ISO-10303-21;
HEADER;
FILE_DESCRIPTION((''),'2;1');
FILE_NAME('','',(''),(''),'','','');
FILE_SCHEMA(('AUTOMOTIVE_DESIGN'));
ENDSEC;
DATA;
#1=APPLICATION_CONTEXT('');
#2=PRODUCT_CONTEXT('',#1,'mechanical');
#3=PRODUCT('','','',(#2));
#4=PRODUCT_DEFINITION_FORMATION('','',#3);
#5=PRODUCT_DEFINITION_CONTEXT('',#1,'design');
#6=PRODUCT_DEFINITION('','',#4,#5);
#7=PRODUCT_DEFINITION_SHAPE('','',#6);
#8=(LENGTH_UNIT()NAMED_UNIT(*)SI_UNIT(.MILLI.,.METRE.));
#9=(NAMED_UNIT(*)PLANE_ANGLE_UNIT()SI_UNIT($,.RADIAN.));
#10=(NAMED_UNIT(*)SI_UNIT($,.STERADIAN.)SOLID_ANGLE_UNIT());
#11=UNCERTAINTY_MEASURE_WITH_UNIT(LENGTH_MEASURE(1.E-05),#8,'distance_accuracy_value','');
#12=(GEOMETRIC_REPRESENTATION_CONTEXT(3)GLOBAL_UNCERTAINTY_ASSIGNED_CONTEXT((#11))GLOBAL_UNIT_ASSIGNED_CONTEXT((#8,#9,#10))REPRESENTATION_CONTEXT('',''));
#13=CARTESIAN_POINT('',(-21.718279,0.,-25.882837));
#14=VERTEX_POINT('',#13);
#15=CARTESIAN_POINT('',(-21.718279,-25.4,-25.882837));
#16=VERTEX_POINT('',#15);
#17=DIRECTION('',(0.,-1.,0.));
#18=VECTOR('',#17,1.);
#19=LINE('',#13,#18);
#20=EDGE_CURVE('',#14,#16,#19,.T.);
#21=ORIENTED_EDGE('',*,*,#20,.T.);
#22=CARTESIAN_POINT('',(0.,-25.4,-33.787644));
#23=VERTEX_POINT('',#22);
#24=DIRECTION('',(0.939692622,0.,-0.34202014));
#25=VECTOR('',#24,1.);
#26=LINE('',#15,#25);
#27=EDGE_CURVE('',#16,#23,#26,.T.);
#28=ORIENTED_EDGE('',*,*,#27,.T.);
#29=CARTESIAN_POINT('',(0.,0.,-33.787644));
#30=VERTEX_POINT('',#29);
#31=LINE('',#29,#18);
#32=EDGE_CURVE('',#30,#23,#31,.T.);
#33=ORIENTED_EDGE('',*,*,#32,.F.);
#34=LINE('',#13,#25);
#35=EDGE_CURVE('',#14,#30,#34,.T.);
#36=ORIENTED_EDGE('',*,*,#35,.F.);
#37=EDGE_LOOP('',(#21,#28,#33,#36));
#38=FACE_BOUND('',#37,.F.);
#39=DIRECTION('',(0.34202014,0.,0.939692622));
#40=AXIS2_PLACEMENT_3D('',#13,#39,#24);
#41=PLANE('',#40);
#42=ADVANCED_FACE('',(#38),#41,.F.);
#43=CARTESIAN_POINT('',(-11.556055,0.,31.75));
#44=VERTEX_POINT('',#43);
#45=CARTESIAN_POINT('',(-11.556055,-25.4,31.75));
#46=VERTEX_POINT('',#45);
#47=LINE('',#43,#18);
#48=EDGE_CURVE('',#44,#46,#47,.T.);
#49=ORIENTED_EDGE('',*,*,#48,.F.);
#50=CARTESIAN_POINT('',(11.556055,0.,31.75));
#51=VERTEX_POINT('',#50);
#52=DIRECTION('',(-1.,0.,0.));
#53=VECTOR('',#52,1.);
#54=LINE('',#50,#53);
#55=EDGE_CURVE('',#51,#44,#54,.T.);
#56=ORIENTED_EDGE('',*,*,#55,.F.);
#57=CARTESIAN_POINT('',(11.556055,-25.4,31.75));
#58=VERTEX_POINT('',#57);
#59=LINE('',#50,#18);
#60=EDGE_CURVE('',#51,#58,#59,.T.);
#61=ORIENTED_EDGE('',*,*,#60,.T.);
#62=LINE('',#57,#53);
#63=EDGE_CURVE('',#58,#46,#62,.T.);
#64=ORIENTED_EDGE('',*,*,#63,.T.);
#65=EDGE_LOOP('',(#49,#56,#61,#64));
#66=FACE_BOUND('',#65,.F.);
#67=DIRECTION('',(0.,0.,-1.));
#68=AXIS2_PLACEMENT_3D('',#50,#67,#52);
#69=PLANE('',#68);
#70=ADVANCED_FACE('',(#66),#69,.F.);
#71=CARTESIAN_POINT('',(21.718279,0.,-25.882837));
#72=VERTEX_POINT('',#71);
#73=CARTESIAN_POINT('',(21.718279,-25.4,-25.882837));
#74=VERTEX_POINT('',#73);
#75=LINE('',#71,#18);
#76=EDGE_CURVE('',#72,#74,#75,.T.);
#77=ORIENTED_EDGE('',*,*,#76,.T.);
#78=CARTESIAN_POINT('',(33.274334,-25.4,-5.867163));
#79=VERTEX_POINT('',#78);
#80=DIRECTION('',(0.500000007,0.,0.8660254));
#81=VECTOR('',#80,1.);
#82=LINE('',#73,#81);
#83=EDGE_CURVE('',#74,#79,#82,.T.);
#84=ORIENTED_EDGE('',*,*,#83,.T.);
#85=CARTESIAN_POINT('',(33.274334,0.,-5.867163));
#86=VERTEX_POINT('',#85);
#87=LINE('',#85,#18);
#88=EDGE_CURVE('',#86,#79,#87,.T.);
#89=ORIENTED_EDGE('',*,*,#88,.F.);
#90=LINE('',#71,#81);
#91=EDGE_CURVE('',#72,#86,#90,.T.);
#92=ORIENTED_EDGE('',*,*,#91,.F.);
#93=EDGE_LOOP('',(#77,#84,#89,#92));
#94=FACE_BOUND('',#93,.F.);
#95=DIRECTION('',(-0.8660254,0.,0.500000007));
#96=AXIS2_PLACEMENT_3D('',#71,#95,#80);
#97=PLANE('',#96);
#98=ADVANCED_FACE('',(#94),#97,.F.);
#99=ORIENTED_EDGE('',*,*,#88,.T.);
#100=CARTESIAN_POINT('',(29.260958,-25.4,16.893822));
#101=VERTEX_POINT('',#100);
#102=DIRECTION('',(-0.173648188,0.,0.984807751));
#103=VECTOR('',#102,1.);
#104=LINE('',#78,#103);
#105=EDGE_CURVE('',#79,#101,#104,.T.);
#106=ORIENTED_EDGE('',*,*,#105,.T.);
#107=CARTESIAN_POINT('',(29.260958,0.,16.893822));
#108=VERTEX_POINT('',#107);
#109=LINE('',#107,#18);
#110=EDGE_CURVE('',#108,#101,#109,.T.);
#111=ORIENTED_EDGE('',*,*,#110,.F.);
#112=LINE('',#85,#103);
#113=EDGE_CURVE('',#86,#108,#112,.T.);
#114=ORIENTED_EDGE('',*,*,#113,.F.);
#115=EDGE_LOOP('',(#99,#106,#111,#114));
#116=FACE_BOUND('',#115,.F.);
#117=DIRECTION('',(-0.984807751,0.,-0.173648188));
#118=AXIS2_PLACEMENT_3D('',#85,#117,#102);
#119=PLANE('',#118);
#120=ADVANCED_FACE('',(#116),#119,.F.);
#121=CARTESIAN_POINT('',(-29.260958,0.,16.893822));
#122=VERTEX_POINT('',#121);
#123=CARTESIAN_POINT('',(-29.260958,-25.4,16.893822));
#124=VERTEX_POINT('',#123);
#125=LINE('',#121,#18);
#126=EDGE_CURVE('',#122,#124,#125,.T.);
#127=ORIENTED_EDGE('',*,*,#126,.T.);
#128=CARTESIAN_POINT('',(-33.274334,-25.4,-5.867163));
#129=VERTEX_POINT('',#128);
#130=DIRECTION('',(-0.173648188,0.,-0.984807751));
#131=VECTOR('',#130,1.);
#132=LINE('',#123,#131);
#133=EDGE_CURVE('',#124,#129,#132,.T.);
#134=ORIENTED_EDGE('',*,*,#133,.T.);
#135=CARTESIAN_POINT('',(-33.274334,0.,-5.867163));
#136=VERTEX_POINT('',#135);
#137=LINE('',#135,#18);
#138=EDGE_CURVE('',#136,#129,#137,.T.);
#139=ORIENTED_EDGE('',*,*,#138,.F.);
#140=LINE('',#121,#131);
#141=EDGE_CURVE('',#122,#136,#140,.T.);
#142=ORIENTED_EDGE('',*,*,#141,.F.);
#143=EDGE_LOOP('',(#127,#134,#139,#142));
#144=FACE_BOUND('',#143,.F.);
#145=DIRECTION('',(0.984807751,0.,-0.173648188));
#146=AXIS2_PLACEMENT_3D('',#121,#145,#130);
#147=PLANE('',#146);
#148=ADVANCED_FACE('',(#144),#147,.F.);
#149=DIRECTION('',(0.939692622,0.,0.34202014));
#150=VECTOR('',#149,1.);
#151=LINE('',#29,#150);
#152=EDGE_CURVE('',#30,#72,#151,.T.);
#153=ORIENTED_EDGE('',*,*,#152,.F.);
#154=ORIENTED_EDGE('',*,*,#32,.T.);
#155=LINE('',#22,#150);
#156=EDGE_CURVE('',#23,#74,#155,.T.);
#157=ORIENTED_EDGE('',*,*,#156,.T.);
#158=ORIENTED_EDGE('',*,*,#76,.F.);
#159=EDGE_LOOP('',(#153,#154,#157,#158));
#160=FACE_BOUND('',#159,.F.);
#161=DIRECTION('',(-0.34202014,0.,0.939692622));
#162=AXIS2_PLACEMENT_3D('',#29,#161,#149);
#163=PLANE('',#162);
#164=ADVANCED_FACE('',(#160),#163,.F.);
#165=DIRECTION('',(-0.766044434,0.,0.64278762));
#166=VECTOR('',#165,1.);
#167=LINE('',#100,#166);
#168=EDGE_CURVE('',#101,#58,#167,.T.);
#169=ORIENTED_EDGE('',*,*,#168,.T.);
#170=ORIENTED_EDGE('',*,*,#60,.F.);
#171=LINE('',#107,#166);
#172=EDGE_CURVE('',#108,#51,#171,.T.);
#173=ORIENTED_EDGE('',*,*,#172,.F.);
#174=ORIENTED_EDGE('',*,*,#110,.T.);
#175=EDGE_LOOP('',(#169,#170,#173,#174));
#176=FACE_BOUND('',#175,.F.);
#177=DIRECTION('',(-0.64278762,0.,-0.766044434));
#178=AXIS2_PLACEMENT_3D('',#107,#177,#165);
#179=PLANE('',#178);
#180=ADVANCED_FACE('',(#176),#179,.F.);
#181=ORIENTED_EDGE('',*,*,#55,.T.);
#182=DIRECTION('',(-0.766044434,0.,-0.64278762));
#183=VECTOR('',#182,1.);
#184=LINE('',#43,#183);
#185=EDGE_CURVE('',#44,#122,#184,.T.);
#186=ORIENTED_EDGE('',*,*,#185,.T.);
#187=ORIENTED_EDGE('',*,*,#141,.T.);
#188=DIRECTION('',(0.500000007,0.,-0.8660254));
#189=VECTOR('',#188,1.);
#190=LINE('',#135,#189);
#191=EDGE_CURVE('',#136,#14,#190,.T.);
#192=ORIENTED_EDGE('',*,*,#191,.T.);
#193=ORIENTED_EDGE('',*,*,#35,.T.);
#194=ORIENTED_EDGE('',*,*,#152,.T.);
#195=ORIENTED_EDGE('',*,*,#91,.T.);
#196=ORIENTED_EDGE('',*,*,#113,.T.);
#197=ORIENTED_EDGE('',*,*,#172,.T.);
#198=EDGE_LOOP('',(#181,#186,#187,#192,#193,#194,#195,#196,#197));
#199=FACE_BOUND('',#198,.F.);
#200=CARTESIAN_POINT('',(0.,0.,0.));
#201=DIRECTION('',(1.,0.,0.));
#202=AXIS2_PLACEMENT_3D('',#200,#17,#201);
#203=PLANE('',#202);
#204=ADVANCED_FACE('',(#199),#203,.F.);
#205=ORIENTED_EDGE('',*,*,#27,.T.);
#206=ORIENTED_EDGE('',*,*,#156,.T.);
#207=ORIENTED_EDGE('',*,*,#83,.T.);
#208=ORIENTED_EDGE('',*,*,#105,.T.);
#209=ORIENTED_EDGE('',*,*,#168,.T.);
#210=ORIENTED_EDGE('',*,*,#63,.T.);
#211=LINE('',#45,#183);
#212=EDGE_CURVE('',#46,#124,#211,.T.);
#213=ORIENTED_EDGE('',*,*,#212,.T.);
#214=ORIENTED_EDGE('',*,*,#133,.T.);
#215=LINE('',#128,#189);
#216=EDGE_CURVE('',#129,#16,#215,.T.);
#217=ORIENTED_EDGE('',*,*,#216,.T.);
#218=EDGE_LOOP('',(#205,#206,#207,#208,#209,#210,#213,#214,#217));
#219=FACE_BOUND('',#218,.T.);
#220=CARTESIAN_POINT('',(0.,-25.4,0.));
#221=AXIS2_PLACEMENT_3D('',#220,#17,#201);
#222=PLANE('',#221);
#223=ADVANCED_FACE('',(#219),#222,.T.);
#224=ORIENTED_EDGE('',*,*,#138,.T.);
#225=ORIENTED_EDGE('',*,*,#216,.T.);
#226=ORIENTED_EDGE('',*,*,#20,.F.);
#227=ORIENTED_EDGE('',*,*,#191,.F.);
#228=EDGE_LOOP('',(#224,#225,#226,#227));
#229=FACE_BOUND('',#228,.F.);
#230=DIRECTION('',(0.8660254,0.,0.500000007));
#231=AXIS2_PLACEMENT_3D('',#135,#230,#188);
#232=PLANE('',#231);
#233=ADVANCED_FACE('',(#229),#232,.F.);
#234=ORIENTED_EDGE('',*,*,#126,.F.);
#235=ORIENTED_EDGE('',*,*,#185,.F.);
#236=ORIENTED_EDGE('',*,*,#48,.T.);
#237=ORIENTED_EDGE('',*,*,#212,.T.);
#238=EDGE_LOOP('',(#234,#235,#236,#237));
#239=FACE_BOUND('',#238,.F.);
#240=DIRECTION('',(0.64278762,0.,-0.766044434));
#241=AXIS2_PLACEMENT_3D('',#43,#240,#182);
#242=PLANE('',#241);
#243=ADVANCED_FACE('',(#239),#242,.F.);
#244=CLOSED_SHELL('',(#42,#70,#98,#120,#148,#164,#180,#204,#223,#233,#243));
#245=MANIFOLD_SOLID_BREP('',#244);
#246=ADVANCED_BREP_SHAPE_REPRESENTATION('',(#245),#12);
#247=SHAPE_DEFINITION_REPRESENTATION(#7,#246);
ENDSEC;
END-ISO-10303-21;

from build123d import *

# Parameters (mm, degrees)
F1_DEPTH = 25.4


with BuildPart() as f1:
    # F0 (on Front) → F1 (new body)
    with BuildSketch(Plane.XZ):
        Polygon((0, 31.75), (-11.556055, 31.75), (-29.260958, 16.893822), (-33.274334, -5.867163), (-21.718279, -25.882837), (0, -33.787644), (21.718279, -25.882837), (33.274334, -5.867163), (29.260958, 16.893822), (11.556055, 31.75), align=None)
    extrude(amount=F1_DEPTH)


solid = f1.part
